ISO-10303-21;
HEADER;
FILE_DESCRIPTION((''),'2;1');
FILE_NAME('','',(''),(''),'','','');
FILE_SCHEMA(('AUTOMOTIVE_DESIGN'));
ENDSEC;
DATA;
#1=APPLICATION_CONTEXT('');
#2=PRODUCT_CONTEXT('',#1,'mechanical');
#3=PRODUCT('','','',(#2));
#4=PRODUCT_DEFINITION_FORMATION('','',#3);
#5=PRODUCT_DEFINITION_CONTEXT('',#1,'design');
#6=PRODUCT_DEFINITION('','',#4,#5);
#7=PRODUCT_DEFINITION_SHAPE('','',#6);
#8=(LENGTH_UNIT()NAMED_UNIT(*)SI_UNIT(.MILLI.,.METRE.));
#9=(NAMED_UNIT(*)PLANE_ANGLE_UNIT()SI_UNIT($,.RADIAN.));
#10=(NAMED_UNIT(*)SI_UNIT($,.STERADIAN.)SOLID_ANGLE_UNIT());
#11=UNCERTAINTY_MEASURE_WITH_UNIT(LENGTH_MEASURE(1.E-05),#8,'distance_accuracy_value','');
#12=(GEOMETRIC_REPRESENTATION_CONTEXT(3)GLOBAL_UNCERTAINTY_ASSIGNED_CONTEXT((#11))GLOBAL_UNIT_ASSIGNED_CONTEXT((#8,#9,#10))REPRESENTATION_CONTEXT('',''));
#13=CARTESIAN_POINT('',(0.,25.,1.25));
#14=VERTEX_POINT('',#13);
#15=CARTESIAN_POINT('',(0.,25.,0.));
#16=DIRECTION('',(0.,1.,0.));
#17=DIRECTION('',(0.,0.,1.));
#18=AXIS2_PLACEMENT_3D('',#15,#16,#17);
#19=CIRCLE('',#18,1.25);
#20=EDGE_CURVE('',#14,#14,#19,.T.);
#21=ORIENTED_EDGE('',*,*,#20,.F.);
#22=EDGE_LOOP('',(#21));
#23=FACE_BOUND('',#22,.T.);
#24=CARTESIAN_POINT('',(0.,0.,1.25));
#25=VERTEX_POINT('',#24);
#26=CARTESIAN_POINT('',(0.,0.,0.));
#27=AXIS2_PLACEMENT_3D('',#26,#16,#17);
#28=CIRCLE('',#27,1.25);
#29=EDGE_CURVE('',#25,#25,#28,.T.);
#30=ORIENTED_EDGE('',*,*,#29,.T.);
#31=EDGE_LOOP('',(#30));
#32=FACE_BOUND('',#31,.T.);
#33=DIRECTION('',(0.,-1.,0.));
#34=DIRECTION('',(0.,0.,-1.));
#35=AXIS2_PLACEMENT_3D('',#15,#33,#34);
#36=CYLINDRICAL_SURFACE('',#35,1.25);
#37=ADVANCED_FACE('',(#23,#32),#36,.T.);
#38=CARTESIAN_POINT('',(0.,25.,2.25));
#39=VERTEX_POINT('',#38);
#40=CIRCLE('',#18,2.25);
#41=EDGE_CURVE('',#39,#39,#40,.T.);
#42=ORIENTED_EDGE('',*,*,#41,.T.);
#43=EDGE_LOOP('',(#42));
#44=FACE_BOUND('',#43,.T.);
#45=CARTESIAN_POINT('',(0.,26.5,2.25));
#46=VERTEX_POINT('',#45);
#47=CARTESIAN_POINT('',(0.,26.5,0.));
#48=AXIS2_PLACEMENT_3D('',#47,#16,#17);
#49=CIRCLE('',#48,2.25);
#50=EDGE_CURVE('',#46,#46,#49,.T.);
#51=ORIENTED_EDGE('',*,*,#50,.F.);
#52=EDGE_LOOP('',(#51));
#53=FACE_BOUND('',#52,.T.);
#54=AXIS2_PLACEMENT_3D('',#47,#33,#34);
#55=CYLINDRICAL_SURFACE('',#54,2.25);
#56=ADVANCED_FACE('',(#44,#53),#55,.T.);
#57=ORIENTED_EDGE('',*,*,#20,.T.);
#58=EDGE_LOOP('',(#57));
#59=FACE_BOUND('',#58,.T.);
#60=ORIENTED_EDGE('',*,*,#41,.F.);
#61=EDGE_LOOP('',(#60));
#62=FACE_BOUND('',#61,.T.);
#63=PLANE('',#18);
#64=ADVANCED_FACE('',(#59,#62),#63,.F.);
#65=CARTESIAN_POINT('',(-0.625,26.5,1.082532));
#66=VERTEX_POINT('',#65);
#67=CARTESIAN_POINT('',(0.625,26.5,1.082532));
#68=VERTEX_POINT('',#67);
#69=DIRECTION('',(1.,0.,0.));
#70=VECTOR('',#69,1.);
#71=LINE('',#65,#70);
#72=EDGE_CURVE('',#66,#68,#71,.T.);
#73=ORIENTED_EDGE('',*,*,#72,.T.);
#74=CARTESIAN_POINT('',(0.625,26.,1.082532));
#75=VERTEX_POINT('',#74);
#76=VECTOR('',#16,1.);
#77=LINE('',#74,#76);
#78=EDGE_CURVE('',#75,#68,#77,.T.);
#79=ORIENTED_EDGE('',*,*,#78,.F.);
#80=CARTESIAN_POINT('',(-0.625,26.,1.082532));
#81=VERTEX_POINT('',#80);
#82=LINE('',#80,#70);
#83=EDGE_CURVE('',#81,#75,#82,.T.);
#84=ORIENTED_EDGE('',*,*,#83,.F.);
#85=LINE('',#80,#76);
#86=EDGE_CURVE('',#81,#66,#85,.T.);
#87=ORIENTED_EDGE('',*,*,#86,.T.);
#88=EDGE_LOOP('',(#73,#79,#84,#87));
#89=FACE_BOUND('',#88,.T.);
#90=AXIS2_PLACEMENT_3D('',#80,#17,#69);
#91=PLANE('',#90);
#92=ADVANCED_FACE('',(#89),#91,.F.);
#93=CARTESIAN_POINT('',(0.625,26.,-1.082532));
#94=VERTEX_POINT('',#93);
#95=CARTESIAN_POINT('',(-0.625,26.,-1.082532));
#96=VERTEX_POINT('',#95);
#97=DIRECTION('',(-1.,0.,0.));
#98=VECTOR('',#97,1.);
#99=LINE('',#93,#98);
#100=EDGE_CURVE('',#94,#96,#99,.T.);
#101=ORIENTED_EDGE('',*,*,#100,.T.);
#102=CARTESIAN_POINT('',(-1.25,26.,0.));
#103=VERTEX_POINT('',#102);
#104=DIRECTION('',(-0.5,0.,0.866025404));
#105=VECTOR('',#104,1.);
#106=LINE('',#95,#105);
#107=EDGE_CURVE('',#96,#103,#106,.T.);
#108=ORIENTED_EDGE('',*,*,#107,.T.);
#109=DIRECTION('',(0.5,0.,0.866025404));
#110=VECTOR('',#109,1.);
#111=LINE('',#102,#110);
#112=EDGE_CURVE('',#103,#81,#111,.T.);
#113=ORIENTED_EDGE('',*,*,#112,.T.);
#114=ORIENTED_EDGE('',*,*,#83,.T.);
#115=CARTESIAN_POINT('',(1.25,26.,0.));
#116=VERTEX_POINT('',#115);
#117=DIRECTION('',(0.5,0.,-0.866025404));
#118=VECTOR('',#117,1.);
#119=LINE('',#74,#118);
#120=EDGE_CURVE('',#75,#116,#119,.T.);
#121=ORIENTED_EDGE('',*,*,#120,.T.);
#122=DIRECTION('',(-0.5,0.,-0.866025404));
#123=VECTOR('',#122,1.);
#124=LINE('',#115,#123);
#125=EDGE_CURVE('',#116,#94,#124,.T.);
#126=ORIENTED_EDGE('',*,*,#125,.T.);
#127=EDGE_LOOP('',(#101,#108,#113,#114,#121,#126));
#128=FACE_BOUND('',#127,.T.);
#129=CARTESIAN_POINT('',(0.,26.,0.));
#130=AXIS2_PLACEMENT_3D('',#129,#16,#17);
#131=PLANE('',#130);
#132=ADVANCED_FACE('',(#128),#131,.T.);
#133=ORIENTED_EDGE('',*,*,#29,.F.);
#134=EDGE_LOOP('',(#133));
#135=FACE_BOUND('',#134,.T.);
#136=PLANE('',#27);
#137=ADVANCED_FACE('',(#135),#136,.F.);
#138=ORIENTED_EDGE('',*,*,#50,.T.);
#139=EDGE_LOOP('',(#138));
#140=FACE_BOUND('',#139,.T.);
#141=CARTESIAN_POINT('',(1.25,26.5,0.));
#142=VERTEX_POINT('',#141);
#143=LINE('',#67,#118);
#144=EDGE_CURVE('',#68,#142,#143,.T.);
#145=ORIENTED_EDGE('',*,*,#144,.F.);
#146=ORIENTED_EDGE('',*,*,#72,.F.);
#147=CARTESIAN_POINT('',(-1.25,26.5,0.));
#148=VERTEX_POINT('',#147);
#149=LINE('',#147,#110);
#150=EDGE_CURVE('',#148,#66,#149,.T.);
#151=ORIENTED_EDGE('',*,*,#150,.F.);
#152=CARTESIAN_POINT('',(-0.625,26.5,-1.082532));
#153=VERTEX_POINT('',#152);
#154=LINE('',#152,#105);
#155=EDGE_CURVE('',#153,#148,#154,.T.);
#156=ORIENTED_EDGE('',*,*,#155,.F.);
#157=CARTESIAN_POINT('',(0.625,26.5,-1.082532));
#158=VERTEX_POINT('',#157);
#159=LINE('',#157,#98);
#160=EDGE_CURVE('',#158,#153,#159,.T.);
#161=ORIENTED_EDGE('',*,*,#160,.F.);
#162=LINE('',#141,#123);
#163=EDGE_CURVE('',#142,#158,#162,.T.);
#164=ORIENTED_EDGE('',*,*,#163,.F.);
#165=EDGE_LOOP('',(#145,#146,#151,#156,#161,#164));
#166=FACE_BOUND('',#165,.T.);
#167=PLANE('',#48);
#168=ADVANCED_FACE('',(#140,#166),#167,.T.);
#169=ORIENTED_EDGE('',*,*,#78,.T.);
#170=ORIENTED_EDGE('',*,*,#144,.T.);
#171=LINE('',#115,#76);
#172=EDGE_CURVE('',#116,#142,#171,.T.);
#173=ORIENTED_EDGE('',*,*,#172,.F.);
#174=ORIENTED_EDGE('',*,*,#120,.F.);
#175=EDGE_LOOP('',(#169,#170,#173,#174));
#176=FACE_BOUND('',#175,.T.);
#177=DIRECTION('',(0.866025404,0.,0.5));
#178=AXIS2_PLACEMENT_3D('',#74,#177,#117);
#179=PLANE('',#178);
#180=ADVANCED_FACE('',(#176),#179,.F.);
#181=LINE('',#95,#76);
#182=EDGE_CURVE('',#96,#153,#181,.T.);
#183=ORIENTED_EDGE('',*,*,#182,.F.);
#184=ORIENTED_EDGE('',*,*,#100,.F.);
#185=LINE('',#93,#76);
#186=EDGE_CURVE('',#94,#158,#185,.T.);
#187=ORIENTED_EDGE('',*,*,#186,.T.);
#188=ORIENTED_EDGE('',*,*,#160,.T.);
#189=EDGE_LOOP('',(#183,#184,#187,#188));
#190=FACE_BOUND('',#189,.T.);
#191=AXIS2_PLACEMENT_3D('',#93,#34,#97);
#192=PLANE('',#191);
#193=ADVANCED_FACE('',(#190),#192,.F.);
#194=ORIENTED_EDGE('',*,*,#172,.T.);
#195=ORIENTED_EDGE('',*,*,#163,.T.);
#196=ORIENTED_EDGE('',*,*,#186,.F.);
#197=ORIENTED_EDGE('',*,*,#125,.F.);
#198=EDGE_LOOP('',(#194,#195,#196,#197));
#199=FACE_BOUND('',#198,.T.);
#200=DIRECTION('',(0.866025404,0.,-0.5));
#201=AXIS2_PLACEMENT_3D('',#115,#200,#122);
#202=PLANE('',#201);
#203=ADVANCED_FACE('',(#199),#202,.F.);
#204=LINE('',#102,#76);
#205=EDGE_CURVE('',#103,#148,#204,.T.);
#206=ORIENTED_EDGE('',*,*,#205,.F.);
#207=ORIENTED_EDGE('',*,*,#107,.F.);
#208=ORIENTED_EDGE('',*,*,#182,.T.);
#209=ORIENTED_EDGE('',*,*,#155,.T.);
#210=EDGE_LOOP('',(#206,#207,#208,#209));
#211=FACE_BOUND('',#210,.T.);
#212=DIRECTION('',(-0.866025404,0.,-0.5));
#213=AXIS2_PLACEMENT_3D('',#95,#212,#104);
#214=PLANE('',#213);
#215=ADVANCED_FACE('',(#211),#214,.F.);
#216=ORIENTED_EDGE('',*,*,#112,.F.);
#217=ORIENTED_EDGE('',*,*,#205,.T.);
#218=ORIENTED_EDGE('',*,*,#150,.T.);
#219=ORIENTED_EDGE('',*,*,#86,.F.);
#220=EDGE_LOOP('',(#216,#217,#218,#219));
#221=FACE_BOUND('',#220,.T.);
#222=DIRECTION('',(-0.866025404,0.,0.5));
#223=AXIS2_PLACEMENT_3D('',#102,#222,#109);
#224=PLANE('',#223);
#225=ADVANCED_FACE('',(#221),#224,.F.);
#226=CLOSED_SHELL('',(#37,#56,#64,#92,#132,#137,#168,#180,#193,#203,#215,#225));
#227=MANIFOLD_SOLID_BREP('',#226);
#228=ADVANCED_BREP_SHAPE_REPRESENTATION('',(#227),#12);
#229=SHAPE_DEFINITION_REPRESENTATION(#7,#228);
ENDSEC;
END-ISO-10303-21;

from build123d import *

# Parameters (mm, degrees)
SKETCH1_R           = 1.25
BOSS_EXTRUDE1_DEPTH = 25
SKETCH4_R           = 2.25
BOSS_EXTRUDE2_DEPTH = 1.5
CUT_EXTRUDE1_DEPTH  = 0.5


with BuildPart() as part:
    # Sketch1 → Boss-Extrude1 (new body)
    with BuildSketch(Plane(origin=(0, 0, 0), x_dir=(1, 0, 0), z_dir=(0, 1, 0))):
        Circle(SKETCH1_R)
    extrude(amount=BOSS_EXTRUDE1_DEPTH)

    # Sketch4 → Boss-Extrude2 (add)
    with BuildSketch(Plane(origin=(0, 25, 0), x_dir=(1, 0, 0), z_dir=(0, 1, 0))):
        Circle(SKETCH4_R)
    extrude(amount=BOSS_EXTRUDE2_DEPTH)

    # Sketch5 → Cut-Extrude1 (cut)
    with BuildSketch(Plane(origin=(0, 26.5, 0), x_dir=(1, 0, 0), z_dir=(0, 1, 0))):
        Polygon((1.25, 0), (0.625, 1.082531755), (-0.625, 1.082531755), (-1.25, 0), (-0.625, -1.082531755), (0.625, -1.082531755), align=None)
    extrude(amount=-CUT_EXTRUDE1_DEPTH, mode=Mode.SUBTRACT)


solid = part.part
